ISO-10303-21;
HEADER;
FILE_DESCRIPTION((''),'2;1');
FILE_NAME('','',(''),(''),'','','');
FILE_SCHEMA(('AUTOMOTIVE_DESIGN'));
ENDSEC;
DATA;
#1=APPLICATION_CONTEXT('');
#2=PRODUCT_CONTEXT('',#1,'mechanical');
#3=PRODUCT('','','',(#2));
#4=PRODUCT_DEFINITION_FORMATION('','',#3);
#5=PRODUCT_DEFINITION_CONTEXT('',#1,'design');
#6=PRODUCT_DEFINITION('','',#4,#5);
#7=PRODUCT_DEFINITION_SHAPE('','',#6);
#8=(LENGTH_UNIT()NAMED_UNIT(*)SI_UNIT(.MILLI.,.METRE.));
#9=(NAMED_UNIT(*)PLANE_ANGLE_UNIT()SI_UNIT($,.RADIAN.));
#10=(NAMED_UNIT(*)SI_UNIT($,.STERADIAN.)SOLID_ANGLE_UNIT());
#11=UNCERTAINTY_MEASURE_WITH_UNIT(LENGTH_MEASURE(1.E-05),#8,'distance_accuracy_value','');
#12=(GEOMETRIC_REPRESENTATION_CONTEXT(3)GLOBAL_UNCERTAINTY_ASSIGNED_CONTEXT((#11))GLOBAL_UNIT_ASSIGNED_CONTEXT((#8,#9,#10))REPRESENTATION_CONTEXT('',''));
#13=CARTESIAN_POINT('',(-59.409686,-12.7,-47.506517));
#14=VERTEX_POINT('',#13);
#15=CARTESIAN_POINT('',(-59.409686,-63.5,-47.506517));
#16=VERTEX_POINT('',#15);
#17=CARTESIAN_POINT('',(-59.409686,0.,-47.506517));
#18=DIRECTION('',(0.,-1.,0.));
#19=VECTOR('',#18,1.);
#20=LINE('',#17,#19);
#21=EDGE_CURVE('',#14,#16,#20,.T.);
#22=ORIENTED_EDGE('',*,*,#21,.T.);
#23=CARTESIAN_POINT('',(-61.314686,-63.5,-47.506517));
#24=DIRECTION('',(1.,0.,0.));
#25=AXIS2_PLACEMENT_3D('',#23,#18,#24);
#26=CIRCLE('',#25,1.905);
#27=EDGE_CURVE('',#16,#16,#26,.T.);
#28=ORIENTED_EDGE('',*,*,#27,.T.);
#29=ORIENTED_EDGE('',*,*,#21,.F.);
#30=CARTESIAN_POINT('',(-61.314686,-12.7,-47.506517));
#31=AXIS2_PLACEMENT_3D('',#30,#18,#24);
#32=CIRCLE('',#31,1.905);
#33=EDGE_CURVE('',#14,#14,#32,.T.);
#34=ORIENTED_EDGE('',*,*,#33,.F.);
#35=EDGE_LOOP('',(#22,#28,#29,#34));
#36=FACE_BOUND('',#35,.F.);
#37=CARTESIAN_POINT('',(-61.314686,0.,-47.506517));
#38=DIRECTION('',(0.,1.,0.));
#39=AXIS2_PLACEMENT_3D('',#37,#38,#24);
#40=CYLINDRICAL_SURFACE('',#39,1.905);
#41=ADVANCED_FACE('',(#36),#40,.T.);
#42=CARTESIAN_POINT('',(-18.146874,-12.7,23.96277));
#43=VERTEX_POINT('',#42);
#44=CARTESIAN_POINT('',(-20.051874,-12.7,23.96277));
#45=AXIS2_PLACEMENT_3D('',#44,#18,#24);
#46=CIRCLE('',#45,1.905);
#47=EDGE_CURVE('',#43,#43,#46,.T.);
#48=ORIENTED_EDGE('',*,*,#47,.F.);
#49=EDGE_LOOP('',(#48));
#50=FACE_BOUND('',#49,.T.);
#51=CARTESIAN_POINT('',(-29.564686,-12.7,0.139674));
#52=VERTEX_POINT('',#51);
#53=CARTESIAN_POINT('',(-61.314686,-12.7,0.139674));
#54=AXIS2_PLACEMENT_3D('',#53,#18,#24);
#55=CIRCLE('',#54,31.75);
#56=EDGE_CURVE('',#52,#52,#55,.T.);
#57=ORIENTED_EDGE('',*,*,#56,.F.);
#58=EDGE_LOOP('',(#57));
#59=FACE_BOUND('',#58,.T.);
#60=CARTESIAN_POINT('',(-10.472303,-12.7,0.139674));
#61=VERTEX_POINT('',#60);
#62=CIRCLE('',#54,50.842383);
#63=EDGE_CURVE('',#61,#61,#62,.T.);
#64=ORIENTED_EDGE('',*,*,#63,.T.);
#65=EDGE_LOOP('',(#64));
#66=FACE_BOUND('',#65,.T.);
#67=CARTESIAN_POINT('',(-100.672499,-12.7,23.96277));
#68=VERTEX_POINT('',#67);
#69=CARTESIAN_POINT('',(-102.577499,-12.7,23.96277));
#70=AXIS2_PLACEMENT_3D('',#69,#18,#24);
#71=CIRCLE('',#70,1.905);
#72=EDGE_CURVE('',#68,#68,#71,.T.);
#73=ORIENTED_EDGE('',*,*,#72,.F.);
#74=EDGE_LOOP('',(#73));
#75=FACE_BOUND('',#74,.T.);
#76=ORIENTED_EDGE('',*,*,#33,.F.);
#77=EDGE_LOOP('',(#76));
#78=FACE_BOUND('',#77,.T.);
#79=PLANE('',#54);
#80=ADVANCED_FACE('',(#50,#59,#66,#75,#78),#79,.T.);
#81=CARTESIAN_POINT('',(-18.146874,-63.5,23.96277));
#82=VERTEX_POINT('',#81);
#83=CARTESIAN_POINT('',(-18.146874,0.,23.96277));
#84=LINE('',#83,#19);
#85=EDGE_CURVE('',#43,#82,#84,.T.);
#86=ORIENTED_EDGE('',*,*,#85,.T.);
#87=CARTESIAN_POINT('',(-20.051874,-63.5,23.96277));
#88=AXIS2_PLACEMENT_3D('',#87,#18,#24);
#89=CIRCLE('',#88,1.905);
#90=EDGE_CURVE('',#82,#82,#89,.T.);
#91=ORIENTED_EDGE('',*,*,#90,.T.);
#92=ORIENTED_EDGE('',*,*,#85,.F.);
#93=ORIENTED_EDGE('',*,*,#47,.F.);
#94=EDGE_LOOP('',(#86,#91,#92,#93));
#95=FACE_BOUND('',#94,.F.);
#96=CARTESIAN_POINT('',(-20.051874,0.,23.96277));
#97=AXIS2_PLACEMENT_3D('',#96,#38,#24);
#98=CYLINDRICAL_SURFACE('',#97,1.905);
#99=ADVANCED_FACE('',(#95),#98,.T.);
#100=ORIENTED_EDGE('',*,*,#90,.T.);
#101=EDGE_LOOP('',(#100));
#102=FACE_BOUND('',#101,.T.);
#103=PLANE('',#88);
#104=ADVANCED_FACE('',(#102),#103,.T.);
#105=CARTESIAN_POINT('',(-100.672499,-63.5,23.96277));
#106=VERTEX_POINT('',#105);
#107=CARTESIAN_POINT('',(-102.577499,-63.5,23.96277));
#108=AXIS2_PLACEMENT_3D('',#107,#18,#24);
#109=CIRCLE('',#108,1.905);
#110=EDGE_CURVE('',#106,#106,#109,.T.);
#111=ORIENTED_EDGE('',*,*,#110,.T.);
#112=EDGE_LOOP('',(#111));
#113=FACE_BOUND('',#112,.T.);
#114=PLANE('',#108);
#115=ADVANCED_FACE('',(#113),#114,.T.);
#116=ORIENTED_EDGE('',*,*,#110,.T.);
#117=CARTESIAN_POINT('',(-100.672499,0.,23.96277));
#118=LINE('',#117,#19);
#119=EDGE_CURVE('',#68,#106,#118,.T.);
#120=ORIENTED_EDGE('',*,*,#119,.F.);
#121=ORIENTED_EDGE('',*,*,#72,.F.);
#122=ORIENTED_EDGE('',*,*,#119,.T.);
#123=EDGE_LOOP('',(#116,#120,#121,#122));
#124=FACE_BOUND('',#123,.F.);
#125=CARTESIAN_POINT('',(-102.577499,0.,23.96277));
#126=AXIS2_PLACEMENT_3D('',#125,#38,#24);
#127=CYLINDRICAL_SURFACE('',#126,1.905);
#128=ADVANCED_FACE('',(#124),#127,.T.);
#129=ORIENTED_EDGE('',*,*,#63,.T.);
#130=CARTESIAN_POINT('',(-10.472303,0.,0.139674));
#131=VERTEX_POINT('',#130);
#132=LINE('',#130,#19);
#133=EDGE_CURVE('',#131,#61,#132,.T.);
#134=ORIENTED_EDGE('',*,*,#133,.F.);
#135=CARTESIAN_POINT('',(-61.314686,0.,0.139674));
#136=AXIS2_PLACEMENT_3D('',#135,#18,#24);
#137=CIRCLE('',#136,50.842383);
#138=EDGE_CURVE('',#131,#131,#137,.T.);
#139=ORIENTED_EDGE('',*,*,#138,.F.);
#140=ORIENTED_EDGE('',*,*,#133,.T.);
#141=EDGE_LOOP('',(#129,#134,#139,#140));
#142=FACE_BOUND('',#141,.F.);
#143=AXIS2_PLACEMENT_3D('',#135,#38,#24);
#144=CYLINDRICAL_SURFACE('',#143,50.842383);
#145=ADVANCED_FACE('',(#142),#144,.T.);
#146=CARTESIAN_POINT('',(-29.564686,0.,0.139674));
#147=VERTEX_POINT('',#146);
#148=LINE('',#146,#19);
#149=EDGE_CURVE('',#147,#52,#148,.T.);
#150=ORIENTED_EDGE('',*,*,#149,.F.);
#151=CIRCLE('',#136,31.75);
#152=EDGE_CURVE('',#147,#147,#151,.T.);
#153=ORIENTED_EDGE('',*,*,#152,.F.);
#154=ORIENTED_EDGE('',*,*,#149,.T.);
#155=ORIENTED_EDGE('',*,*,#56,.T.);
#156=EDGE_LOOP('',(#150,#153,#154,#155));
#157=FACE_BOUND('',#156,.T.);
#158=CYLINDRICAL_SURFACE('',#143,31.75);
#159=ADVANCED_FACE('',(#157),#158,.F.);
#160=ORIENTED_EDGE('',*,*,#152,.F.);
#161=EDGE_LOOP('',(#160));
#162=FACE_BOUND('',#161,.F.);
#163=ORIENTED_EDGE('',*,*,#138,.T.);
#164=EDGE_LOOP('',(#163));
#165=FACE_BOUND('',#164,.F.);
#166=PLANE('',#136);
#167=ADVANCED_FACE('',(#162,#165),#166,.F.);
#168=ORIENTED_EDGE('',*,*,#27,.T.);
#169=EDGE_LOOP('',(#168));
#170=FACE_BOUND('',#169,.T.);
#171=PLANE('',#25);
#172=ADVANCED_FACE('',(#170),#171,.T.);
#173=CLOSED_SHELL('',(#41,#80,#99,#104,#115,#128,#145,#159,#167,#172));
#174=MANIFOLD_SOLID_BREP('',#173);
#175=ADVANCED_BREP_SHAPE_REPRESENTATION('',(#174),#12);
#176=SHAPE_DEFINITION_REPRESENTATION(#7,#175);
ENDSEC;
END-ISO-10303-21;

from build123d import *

# Parameters (mm, degrees)
F0_R     = 50.842383
F0_R_2   = 1.905
F0_R_3   = 31.75
F1_DEPTH = 12.7
F2_DEPTH = 63.5


with BuildPart() as f1:
    # F0 (on Front) → F1 (new body)
    with BuildSketch(Plane.XZ):
        with Locations((-61.314686, 0.139674)):
            Circle(F0_R)
        with Locations((-61.314686, -47.506517)):
            Circle(F0_R_2, mode=Mode.SUBTRACT)
        with Locations((-61.314686, 0.139674)):
            Circle(F0_R_3, mode=Mode.SUBTRACT)
        with Locations((-102.577499, 23.96277)):
            Circle(F0_R_2, mode=Mode.SUBTRACT)
        with Locations((-20.051874, 23.96277)):
            Circle(F0_R_2, mode=Mode.SUBTRACT)
    extrude(amount=F1_DEPTH)

    # F0 (on Front) → F2 (join)
    with BuildSketch(Plane.XZ):
        with Locations((-102.577499, 23.96277)):
            Circle(F0_R_2)
        with Locations((-20.051874, 23.96277)):
            Circle(F0_R_2)
        with Locations((-61.314686, -47.506517)):
            Circle(F0_R_2)
    extrude(amount=F2_DEPTH)


solid = f1.part
